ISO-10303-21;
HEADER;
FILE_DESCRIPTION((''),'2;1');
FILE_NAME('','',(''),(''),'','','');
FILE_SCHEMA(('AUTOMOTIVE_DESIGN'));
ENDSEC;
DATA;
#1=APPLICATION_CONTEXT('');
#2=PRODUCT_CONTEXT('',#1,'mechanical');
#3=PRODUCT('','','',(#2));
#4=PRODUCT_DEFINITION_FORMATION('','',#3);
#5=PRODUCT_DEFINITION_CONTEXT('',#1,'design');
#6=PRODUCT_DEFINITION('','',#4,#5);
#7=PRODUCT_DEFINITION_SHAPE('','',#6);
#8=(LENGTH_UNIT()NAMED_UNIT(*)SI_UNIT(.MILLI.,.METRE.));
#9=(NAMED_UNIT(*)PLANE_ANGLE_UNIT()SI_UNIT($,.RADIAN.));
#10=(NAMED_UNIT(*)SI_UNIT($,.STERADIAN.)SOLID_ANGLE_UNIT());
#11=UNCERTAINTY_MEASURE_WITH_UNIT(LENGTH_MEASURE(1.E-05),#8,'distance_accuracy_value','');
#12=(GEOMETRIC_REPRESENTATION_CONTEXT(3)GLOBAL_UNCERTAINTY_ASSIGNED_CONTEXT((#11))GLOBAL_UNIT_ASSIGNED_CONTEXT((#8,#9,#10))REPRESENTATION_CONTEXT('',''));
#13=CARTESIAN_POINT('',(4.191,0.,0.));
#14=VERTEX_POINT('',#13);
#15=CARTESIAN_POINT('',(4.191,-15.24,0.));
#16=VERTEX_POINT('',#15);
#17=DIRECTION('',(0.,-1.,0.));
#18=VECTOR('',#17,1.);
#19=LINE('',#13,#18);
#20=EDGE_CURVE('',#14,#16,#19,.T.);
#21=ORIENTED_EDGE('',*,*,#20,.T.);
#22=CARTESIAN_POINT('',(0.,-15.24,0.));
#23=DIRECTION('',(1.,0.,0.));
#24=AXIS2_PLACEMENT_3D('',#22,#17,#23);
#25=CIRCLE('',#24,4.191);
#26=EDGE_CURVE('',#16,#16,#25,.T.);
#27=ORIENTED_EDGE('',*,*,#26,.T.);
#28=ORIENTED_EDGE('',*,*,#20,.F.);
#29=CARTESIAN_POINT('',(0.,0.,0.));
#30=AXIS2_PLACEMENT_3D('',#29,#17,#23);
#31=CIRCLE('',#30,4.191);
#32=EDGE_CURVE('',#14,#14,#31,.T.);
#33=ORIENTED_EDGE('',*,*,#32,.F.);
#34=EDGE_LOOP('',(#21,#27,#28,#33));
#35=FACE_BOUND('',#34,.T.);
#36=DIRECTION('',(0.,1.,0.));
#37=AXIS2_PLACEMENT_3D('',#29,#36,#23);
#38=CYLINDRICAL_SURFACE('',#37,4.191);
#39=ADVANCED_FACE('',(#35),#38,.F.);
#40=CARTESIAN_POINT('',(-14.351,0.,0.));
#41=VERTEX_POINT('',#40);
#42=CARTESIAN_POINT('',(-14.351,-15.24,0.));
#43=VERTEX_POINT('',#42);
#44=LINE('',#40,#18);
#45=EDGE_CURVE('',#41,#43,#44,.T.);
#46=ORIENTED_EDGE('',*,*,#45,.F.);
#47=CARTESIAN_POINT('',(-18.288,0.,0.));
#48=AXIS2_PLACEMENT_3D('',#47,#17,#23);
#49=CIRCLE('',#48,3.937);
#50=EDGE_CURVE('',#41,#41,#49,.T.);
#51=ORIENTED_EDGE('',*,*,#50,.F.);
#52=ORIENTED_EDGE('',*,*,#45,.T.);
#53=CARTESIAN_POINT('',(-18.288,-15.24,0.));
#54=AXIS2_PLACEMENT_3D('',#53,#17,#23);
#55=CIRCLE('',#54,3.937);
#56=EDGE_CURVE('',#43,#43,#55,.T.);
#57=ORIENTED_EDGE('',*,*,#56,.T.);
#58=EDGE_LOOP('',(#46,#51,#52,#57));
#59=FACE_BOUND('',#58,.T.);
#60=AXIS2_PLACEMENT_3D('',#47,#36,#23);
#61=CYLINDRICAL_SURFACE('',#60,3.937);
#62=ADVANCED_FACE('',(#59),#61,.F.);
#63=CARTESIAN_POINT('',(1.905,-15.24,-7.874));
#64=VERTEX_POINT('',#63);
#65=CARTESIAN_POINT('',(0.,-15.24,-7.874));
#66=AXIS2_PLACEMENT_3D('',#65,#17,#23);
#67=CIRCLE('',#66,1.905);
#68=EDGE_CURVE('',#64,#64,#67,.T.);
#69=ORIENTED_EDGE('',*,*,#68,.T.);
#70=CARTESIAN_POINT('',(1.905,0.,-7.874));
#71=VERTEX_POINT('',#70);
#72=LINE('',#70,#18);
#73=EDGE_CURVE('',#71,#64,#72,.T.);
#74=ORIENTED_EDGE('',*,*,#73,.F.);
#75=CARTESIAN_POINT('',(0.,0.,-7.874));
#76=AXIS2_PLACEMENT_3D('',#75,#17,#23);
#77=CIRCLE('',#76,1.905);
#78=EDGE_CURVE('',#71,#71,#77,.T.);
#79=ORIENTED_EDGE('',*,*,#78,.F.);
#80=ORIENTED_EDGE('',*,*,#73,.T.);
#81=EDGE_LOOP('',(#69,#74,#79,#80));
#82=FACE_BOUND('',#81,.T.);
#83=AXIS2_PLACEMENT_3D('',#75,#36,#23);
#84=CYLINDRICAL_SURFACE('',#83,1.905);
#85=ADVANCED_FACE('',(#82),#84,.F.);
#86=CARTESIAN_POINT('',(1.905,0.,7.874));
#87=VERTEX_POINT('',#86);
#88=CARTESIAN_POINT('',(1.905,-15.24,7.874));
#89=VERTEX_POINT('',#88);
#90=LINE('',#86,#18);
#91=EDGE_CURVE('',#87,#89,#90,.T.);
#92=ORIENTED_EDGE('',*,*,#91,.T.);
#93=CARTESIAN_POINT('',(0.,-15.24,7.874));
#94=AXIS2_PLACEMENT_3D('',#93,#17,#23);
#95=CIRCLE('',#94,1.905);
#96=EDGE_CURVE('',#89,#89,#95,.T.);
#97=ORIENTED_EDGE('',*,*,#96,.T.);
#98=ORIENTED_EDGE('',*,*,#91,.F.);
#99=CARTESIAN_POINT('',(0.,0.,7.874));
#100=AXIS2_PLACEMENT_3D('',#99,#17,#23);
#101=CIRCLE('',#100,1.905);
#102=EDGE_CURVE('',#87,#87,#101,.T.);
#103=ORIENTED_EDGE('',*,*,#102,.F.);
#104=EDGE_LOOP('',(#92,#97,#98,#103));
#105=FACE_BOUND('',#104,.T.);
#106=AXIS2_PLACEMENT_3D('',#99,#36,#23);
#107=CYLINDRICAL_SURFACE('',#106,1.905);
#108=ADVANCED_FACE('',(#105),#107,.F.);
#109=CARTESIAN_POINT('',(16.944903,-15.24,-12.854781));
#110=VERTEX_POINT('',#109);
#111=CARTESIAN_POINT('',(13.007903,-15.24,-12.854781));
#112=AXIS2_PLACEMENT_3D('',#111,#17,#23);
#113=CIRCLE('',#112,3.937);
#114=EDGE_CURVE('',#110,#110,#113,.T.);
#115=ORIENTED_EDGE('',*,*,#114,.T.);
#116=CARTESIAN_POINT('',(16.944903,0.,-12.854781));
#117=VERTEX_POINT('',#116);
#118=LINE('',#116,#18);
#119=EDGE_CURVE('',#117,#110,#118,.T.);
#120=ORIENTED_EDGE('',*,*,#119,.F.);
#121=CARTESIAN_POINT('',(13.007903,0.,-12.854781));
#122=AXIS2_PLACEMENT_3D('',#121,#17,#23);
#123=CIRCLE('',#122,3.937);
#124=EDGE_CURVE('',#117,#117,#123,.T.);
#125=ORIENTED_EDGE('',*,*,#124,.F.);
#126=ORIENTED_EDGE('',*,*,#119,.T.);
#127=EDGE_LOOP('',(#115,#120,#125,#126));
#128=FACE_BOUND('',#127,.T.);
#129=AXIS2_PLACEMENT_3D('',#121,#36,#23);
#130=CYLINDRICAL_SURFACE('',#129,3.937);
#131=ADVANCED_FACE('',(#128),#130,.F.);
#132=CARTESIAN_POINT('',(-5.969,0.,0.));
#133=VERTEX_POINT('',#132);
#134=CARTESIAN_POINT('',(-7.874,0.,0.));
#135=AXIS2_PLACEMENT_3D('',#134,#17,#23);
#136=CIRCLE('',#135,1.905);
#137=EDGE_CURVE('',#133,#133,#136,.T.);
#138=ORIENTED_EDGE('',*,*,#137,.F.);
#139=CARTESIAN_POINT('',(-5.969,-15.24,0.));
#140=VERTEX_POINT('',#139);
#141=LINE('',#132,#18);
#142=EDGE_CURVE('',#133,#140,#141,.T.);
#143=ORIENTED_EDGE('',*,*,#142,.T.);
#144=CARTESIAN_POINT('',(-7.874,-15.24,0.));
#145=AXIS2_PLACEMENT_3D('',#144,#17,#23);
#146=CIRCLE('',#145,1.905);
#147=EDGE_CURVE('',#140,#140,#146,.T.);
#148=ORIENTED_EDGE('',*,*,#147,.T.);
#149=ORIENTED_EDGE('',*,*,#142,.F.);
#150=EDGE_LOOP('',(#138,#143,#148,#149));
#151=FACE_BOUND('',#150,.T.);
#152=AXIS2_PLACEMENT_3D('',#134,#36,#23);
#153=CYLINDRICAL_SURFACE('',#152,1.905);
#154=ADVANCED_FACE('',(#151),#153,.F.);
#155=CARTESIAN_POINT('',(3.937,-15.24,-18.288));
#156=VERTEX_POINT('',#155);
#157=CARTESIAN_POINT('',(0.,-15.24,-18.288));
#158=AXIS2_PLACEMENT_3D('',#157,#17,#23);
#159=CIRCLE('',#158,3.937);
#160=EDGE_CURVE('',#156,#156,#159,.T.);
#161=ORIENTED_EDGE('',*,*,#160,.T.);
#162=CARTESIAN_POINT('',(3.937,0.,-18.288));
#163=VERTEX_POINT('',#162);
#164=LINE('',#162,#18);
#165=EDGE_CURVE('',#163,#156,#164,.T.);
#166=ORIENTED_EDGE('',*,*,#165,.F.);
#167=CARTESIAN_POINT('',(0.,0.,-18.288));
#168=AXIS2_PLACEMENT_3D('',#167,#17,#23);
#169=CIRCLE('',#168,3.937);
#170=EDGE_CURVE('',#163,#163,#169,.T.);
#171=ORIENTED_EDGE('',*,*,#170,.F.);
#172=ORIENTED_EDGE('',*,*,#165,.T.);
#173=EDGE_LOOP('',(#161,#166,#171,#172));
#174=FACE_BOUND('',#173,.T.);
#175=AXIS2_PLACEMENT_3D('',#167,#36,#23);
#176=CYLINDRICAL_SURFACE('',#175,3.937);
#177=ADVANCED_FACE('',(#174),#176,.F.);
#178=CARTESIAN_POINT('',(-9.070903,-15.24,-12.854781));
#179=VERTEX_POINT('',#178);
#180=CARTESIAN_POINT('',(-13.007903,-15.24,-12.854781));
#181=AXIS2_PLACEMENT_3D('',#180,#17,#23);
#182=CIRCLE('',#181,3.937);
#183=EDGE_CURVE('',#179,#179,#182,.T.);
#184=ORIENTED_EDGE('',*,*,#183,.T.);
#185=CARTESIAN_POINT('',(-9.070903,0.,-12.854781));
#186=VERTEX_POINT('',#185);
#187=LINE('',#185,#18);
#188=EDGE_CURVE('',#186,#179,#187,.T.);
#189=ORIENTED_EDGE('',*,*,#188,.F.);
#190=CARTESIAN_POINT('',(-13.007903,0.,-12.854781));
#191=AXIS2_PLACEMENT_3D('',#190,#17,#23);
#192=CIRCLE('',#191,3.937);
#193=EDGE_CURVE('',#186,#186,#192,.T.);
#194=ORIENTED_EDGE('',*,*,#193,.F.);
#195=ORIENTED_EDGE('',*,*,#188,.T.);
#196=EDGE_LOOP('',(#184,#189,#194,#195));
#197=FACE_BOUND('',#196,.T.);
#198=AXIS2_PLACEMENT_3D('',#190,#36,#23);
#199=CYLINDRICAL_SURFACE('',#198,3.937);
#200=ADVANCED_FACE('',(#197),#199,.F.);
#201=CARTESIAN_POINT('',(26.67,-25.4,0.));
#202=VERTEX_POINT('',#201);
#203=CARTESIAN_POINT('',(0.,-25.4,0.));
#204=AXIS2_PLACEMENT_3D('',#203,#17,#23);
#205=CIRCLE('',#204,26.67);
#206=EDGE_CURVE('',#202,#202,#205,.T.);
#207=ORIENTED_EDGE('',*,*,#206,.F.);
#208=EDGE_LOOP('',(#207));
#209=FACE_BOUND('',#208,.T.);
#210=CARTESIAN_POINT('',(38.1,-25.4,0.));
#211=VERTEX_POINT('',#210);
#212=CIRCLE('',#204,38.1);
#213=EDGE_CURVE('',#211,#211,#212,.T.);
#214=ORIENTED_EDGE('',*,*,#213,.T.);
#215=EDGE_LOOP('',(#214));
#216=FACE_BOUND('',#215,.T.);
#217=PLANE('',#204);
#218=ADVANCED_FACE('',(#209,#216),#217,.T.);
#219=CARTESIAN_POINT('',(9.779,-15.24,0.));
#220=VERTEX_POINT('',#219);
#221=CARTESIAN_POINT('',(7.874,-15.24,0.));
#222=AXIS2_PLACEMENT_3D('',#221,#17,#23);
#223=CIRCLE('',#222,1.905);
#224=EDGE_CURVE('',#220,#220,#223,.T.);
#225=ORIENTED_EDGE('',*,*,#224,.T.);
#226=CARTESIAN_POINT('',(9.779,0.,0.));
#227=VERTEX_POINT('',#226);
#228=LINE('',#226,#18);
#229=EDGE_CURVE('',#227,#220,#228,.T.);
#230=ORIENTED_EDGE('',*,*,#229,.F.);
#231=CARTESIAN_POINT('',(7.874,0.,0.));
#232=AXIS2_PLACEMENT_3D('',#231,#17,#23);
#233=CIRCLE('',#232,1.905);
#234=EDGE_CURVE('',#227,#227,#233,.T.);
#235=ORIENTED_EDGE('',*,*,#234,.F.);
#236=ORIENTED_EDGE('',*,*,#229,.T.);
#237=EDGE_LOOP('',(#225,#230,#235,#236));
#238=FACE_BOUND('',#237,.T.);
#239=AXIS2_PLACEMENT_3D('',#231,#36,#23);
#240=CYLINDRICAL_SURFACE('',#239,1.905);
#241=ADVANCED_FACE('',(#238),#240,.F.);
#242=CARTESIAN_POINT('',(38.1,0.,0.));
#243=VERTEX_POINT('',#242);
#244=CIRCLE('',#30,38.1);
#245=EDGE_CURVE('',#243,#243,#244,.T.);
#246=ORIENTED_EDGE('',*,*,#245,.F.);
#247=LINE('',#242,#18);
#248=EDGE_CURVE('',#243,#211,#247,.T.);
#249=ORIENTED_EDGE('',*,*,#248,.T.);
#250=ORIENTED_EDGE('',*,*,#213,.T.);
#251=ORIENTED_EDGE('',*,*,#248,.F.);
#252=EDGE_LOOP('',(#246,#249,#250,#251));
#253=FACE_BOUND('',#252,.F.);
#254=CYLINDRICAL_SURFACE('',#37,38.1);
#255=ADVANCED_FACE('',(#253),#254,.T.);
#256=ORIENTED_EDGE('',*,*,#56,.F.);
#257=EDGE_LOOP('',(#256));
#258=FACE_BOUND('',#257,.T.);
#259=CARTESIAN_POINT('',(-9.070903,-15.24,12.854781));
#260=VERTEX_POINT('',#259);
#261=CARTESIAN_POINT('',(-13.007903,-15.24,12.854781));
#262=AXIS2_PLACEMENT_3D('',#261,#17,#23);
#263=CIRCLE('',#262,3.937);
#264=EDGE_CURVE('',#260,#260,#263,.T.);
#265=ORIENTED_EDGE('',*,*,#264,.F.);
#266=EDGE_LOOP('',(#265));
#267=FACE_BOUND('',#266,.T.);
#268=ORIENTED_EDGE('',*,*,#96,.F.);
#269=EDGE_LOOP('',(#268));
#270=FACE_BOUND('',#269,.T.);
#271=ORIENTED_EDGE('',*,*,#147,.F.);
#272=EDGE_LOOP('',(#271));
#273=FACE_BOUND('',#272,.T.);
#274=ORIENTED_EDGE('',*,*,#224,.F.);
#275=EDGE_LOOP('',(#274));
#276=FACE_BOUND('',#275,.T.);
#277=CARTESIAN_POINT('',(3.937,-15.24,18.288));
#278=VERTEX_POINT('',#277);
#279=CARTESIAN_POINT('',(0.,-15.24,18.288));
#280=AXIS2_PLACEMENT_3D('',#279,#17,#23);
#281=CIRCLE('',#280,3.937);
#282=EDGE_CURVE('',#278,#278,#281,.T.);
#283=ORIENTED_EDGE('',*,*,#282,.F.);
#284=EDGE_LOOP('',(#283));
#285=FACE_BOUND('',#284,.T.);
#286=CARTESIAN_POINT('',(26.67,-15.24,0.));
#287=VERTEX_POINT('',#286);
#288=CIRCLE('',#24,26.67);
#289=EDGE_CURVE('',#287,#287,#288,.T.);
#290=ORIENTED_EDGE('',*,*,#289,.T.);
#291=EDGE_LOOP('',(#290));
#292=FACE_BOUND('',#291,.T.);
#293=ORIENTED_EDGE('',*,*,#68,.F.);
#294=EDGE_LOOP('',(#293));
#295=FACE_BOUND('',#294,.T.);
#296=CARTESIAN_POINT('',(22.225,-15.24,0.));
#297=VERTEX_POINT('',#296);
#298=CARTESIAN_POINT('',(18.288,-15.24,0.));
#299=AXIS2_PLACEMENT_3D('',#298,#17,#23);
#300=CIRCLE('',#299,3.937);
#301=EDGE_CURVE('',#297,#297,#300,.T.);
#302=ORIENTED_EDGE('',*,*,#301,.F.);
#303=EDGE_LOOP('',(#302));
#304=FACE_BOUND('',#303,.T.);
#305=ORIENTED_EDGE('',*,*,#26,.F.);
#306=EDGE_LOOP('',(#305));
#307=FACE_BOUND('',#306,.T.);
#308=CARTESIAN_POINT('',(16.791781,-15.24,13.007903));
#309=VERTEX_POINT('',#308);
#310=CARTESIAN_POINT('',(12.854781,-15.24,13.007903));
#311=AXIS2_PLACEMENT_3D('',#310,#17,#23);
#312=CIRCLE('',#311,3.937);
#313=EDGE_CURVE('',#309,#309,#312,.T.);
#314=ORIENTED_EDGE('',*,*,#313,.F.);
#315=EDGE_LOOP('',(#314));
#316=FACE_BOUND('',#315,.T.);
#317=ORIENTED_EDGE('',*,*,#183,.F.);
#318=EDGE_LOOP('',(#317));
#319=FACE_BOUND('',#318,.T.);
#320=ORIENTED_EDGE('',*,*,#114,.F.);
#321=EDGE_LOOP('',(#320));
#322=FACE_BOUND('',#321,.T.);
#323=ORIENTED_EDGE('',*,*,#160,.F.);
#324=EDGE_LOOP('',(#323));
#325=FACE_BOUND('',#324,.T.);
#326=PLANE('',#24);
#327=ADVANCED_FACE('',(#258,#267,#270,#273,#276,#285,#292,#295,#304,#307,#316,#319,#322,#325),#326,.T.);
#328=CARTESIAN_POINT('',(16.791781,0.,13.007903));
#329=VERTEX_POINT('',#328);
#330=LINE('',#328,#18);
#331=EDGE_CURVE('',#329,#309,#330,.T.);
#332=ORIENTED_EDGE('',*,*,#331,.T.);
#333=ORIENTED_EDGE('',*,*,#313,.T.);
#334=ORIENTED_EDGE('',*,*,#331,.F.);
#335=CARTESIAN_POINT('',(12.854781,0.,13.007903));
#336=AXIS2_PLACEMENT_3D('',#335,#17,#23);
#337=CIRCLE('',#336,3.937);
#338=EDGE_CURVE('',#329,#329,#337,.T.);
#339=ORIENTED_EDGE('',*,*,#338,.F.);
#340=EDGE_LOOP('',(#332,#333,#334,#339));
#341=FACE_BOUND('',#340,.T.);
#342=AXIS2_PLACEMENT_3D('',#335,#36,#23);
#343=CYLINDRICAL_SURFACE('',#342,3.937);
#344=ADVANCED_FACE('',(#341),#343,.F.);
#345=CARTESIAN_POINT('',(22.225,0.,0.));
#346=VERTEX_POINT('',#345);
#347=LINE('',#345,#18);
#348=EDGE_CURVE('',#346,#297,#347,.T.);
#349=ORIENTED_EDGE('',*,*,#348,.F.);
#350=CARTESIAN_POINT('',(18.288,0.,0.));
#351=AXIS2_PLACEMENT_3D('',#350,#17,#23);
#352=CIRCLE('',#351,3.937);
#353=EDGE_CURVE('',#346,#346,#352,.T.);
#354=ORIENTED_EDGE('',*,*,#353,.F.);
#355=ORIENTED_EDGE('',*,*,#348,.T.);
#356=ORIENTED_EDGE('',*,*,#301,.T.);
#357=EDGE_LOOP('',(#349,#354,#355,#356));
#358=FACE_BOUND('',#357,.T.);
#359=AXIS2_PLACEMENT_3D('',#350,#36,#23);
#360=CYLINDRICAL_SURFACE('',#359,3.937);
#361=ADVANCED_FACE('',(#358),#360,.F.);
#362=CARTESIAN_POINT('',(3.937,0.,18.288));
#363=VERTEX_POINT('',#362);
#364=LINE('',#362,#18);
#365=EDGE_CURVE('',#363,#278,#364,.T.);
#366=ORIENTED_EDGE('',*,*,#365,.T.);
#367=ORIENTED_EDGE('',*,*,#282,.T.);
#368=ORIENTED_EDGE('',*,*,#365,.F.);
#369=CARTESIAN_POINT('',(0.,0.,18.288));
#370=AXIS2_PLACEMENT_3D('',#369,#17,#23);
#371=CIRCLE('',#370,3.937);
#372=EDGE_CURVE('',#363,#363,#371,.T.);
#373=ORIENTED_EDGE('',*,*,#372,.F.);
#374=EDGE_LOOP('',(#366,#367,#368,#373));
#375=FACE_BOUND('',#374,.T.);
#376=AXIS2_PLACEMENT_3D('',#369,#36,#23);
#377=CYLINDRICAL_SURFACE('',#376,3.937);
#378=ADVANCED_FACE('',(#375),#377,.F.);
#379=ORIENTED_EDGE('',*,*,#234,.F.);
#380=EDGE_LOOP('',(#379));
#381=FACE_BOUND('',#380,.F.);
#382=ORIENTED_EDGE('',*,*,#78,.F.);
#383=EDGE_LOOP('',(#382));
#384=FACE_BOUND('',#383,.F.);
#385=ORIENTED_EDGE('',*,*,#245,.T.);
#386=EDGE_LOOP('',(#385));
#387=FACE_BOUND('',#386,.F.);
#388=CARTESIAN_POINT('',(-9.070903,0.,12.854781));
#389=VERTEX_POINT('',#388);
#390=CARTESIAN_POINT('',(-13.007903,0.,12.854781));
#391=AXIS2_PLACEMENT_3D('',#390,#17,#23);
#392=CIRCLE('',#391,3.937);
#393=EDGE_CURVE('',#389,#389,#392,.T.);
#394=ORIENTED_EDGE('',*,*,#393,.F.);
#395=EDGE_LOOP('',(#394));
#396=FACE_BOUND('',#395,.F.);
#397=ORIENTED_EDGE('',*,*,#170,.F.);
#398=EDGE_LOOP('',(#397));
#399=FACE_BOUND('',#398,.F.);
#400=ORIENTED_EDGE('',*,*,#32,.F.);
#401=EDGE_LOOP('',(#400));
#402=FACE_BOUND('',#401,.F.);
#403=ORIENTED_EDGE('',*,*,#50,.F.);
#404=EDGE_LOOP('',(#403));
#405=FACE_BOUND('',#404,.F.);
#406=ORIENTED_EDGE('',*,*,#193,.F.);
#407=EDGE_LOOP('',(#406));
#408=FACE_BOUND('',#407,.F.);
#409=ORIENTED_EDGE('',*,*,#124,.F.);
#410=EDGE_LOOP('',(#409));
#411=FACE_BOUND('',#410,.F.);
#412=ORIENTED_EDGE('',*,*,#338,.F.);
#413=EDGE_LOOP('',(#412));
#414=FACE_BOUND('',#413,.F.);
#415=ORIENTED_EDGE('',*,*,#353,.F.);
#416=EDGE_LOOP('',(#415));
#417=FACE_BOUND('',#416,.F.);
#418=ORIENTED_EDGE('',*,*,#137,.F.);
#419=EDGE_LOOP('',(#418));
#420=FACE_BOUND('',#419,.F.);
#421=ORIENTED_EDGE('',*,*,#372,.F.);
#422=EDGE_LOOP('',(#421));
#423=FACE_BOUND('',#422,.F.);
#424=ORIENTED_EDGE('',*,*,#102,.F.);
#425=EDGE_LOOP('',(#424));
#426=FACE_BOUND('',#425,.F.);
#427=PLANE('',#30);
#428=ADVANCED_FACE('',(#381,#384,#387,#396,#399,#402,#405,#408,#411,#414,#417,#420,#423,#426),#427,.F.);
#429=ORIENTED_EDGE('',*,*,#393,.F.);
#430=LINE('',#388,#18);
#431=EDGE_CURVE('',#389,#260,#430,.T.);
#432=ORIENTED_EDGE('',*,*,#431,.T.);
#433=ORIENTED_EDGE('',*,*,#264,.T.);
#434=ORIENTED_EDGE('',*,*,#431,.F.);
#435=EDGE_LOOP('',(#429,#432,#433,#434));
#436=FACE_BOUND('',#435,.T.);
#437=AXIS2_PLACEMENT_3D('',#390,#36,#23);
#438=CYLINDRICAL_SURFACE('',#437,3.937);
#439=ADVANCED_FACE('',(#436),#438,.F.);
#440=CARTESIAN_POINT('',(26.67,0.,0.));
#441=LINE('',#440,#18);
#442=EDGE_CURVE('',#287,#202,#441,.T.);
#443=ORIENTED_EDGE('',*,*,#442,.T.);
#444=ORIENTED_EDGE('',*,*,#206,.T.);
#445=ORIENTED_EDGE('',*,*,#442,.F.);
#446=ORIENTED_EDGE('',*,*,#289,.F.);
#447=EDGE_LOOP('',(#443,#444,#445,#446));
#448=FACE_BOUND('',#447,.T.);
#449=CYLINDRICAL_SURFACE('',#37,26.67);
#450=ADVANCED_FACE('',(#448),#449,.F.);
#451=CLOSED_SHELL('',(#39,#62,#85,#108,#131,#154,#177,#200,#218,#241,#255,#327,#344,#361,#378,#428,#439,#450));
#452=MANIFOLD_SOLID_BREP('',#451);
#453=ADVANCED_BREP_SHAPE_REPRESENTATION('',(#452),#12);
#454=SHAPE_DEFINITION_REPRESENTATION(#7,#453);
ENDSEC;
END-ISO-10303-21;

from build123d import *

# Parameters (mm, degrees)
F0_R     = 38.1
F0_R_2   = 36.83
F0_R_3   = 26.67
F1_DEPTH = 25.4
F0_R_4   = 3.937
F0_R_5   = 1.905
F0_R_6   = 4.191
F2_DEPTH = 15.24


with BuildPart() as f1:
    # F0 (on Front) → F1 (new body)
    with BuildSketch(Plane.XZ):
        Circle(F0_R)
        Circle(F0_R_2, mode=Mode.SUBTRACT)
        Circle(F0_R_2)
        Circle(F0_R_3, mode=Mode.SUBTRACT)
    extrude(amount=F1_DEPTH)

    # F0 (on Front) → F2 (join)
    with BuildSketch(Plane.XZ):
        Circle(F0_R_3)
        with Locations((-13.007903, -12.854781)):
            Circle(F0_R_4, mode=Mode.SUBTRACT)
        with Locations((0, -18.288)):
            Circle(F0_R_4, mode=Mode.SUBTRACT)
        with Locations((13.007903, -12.854781)):
            Circle(F0_R_4, mode=Mode.SUBTRACT)
        with Locations((0, -7.874)):
            Circle(F0_R_5, mode=Mode.SUBTRACT)
        with Locations((-18.288, 0)):
            Circle(F0_R_4, mode=Mode.SUBTRACT)
        with Locations((-7.874, 0)):
            Circle(F0_R_5, mode=Mode.SUBTRACT)
        with Locations((-13.007903, 12.854781)):
            Circle(F0_R_4, mode=Mode.SUBTRACT)
        Circle(F0_R_6, mode=Mode.SUBTRACT)
        with Locations((7.874, 0)):
            Circle(F0_R_5, mode=Mode.SUBTRACT)
        with Locations((0, 7.874)):
            Circle(F0_R_5, mode=Mode.SUBTRACT)
        with Locations((18.288, 0)):
            Circle(F0_R_4, mode=Mode.SUBTRACT)
        with Locations((0, 18.288)):
            Circle(F0_R_4, mode=Mode.SUBTRACT)
        with Locations((12.854781, 13.007903)):
            Circle(F0_R_4, mode=Mode.SUBTRACT)
    extrude(amount=F2_DEPTH)


solid = f1.part
